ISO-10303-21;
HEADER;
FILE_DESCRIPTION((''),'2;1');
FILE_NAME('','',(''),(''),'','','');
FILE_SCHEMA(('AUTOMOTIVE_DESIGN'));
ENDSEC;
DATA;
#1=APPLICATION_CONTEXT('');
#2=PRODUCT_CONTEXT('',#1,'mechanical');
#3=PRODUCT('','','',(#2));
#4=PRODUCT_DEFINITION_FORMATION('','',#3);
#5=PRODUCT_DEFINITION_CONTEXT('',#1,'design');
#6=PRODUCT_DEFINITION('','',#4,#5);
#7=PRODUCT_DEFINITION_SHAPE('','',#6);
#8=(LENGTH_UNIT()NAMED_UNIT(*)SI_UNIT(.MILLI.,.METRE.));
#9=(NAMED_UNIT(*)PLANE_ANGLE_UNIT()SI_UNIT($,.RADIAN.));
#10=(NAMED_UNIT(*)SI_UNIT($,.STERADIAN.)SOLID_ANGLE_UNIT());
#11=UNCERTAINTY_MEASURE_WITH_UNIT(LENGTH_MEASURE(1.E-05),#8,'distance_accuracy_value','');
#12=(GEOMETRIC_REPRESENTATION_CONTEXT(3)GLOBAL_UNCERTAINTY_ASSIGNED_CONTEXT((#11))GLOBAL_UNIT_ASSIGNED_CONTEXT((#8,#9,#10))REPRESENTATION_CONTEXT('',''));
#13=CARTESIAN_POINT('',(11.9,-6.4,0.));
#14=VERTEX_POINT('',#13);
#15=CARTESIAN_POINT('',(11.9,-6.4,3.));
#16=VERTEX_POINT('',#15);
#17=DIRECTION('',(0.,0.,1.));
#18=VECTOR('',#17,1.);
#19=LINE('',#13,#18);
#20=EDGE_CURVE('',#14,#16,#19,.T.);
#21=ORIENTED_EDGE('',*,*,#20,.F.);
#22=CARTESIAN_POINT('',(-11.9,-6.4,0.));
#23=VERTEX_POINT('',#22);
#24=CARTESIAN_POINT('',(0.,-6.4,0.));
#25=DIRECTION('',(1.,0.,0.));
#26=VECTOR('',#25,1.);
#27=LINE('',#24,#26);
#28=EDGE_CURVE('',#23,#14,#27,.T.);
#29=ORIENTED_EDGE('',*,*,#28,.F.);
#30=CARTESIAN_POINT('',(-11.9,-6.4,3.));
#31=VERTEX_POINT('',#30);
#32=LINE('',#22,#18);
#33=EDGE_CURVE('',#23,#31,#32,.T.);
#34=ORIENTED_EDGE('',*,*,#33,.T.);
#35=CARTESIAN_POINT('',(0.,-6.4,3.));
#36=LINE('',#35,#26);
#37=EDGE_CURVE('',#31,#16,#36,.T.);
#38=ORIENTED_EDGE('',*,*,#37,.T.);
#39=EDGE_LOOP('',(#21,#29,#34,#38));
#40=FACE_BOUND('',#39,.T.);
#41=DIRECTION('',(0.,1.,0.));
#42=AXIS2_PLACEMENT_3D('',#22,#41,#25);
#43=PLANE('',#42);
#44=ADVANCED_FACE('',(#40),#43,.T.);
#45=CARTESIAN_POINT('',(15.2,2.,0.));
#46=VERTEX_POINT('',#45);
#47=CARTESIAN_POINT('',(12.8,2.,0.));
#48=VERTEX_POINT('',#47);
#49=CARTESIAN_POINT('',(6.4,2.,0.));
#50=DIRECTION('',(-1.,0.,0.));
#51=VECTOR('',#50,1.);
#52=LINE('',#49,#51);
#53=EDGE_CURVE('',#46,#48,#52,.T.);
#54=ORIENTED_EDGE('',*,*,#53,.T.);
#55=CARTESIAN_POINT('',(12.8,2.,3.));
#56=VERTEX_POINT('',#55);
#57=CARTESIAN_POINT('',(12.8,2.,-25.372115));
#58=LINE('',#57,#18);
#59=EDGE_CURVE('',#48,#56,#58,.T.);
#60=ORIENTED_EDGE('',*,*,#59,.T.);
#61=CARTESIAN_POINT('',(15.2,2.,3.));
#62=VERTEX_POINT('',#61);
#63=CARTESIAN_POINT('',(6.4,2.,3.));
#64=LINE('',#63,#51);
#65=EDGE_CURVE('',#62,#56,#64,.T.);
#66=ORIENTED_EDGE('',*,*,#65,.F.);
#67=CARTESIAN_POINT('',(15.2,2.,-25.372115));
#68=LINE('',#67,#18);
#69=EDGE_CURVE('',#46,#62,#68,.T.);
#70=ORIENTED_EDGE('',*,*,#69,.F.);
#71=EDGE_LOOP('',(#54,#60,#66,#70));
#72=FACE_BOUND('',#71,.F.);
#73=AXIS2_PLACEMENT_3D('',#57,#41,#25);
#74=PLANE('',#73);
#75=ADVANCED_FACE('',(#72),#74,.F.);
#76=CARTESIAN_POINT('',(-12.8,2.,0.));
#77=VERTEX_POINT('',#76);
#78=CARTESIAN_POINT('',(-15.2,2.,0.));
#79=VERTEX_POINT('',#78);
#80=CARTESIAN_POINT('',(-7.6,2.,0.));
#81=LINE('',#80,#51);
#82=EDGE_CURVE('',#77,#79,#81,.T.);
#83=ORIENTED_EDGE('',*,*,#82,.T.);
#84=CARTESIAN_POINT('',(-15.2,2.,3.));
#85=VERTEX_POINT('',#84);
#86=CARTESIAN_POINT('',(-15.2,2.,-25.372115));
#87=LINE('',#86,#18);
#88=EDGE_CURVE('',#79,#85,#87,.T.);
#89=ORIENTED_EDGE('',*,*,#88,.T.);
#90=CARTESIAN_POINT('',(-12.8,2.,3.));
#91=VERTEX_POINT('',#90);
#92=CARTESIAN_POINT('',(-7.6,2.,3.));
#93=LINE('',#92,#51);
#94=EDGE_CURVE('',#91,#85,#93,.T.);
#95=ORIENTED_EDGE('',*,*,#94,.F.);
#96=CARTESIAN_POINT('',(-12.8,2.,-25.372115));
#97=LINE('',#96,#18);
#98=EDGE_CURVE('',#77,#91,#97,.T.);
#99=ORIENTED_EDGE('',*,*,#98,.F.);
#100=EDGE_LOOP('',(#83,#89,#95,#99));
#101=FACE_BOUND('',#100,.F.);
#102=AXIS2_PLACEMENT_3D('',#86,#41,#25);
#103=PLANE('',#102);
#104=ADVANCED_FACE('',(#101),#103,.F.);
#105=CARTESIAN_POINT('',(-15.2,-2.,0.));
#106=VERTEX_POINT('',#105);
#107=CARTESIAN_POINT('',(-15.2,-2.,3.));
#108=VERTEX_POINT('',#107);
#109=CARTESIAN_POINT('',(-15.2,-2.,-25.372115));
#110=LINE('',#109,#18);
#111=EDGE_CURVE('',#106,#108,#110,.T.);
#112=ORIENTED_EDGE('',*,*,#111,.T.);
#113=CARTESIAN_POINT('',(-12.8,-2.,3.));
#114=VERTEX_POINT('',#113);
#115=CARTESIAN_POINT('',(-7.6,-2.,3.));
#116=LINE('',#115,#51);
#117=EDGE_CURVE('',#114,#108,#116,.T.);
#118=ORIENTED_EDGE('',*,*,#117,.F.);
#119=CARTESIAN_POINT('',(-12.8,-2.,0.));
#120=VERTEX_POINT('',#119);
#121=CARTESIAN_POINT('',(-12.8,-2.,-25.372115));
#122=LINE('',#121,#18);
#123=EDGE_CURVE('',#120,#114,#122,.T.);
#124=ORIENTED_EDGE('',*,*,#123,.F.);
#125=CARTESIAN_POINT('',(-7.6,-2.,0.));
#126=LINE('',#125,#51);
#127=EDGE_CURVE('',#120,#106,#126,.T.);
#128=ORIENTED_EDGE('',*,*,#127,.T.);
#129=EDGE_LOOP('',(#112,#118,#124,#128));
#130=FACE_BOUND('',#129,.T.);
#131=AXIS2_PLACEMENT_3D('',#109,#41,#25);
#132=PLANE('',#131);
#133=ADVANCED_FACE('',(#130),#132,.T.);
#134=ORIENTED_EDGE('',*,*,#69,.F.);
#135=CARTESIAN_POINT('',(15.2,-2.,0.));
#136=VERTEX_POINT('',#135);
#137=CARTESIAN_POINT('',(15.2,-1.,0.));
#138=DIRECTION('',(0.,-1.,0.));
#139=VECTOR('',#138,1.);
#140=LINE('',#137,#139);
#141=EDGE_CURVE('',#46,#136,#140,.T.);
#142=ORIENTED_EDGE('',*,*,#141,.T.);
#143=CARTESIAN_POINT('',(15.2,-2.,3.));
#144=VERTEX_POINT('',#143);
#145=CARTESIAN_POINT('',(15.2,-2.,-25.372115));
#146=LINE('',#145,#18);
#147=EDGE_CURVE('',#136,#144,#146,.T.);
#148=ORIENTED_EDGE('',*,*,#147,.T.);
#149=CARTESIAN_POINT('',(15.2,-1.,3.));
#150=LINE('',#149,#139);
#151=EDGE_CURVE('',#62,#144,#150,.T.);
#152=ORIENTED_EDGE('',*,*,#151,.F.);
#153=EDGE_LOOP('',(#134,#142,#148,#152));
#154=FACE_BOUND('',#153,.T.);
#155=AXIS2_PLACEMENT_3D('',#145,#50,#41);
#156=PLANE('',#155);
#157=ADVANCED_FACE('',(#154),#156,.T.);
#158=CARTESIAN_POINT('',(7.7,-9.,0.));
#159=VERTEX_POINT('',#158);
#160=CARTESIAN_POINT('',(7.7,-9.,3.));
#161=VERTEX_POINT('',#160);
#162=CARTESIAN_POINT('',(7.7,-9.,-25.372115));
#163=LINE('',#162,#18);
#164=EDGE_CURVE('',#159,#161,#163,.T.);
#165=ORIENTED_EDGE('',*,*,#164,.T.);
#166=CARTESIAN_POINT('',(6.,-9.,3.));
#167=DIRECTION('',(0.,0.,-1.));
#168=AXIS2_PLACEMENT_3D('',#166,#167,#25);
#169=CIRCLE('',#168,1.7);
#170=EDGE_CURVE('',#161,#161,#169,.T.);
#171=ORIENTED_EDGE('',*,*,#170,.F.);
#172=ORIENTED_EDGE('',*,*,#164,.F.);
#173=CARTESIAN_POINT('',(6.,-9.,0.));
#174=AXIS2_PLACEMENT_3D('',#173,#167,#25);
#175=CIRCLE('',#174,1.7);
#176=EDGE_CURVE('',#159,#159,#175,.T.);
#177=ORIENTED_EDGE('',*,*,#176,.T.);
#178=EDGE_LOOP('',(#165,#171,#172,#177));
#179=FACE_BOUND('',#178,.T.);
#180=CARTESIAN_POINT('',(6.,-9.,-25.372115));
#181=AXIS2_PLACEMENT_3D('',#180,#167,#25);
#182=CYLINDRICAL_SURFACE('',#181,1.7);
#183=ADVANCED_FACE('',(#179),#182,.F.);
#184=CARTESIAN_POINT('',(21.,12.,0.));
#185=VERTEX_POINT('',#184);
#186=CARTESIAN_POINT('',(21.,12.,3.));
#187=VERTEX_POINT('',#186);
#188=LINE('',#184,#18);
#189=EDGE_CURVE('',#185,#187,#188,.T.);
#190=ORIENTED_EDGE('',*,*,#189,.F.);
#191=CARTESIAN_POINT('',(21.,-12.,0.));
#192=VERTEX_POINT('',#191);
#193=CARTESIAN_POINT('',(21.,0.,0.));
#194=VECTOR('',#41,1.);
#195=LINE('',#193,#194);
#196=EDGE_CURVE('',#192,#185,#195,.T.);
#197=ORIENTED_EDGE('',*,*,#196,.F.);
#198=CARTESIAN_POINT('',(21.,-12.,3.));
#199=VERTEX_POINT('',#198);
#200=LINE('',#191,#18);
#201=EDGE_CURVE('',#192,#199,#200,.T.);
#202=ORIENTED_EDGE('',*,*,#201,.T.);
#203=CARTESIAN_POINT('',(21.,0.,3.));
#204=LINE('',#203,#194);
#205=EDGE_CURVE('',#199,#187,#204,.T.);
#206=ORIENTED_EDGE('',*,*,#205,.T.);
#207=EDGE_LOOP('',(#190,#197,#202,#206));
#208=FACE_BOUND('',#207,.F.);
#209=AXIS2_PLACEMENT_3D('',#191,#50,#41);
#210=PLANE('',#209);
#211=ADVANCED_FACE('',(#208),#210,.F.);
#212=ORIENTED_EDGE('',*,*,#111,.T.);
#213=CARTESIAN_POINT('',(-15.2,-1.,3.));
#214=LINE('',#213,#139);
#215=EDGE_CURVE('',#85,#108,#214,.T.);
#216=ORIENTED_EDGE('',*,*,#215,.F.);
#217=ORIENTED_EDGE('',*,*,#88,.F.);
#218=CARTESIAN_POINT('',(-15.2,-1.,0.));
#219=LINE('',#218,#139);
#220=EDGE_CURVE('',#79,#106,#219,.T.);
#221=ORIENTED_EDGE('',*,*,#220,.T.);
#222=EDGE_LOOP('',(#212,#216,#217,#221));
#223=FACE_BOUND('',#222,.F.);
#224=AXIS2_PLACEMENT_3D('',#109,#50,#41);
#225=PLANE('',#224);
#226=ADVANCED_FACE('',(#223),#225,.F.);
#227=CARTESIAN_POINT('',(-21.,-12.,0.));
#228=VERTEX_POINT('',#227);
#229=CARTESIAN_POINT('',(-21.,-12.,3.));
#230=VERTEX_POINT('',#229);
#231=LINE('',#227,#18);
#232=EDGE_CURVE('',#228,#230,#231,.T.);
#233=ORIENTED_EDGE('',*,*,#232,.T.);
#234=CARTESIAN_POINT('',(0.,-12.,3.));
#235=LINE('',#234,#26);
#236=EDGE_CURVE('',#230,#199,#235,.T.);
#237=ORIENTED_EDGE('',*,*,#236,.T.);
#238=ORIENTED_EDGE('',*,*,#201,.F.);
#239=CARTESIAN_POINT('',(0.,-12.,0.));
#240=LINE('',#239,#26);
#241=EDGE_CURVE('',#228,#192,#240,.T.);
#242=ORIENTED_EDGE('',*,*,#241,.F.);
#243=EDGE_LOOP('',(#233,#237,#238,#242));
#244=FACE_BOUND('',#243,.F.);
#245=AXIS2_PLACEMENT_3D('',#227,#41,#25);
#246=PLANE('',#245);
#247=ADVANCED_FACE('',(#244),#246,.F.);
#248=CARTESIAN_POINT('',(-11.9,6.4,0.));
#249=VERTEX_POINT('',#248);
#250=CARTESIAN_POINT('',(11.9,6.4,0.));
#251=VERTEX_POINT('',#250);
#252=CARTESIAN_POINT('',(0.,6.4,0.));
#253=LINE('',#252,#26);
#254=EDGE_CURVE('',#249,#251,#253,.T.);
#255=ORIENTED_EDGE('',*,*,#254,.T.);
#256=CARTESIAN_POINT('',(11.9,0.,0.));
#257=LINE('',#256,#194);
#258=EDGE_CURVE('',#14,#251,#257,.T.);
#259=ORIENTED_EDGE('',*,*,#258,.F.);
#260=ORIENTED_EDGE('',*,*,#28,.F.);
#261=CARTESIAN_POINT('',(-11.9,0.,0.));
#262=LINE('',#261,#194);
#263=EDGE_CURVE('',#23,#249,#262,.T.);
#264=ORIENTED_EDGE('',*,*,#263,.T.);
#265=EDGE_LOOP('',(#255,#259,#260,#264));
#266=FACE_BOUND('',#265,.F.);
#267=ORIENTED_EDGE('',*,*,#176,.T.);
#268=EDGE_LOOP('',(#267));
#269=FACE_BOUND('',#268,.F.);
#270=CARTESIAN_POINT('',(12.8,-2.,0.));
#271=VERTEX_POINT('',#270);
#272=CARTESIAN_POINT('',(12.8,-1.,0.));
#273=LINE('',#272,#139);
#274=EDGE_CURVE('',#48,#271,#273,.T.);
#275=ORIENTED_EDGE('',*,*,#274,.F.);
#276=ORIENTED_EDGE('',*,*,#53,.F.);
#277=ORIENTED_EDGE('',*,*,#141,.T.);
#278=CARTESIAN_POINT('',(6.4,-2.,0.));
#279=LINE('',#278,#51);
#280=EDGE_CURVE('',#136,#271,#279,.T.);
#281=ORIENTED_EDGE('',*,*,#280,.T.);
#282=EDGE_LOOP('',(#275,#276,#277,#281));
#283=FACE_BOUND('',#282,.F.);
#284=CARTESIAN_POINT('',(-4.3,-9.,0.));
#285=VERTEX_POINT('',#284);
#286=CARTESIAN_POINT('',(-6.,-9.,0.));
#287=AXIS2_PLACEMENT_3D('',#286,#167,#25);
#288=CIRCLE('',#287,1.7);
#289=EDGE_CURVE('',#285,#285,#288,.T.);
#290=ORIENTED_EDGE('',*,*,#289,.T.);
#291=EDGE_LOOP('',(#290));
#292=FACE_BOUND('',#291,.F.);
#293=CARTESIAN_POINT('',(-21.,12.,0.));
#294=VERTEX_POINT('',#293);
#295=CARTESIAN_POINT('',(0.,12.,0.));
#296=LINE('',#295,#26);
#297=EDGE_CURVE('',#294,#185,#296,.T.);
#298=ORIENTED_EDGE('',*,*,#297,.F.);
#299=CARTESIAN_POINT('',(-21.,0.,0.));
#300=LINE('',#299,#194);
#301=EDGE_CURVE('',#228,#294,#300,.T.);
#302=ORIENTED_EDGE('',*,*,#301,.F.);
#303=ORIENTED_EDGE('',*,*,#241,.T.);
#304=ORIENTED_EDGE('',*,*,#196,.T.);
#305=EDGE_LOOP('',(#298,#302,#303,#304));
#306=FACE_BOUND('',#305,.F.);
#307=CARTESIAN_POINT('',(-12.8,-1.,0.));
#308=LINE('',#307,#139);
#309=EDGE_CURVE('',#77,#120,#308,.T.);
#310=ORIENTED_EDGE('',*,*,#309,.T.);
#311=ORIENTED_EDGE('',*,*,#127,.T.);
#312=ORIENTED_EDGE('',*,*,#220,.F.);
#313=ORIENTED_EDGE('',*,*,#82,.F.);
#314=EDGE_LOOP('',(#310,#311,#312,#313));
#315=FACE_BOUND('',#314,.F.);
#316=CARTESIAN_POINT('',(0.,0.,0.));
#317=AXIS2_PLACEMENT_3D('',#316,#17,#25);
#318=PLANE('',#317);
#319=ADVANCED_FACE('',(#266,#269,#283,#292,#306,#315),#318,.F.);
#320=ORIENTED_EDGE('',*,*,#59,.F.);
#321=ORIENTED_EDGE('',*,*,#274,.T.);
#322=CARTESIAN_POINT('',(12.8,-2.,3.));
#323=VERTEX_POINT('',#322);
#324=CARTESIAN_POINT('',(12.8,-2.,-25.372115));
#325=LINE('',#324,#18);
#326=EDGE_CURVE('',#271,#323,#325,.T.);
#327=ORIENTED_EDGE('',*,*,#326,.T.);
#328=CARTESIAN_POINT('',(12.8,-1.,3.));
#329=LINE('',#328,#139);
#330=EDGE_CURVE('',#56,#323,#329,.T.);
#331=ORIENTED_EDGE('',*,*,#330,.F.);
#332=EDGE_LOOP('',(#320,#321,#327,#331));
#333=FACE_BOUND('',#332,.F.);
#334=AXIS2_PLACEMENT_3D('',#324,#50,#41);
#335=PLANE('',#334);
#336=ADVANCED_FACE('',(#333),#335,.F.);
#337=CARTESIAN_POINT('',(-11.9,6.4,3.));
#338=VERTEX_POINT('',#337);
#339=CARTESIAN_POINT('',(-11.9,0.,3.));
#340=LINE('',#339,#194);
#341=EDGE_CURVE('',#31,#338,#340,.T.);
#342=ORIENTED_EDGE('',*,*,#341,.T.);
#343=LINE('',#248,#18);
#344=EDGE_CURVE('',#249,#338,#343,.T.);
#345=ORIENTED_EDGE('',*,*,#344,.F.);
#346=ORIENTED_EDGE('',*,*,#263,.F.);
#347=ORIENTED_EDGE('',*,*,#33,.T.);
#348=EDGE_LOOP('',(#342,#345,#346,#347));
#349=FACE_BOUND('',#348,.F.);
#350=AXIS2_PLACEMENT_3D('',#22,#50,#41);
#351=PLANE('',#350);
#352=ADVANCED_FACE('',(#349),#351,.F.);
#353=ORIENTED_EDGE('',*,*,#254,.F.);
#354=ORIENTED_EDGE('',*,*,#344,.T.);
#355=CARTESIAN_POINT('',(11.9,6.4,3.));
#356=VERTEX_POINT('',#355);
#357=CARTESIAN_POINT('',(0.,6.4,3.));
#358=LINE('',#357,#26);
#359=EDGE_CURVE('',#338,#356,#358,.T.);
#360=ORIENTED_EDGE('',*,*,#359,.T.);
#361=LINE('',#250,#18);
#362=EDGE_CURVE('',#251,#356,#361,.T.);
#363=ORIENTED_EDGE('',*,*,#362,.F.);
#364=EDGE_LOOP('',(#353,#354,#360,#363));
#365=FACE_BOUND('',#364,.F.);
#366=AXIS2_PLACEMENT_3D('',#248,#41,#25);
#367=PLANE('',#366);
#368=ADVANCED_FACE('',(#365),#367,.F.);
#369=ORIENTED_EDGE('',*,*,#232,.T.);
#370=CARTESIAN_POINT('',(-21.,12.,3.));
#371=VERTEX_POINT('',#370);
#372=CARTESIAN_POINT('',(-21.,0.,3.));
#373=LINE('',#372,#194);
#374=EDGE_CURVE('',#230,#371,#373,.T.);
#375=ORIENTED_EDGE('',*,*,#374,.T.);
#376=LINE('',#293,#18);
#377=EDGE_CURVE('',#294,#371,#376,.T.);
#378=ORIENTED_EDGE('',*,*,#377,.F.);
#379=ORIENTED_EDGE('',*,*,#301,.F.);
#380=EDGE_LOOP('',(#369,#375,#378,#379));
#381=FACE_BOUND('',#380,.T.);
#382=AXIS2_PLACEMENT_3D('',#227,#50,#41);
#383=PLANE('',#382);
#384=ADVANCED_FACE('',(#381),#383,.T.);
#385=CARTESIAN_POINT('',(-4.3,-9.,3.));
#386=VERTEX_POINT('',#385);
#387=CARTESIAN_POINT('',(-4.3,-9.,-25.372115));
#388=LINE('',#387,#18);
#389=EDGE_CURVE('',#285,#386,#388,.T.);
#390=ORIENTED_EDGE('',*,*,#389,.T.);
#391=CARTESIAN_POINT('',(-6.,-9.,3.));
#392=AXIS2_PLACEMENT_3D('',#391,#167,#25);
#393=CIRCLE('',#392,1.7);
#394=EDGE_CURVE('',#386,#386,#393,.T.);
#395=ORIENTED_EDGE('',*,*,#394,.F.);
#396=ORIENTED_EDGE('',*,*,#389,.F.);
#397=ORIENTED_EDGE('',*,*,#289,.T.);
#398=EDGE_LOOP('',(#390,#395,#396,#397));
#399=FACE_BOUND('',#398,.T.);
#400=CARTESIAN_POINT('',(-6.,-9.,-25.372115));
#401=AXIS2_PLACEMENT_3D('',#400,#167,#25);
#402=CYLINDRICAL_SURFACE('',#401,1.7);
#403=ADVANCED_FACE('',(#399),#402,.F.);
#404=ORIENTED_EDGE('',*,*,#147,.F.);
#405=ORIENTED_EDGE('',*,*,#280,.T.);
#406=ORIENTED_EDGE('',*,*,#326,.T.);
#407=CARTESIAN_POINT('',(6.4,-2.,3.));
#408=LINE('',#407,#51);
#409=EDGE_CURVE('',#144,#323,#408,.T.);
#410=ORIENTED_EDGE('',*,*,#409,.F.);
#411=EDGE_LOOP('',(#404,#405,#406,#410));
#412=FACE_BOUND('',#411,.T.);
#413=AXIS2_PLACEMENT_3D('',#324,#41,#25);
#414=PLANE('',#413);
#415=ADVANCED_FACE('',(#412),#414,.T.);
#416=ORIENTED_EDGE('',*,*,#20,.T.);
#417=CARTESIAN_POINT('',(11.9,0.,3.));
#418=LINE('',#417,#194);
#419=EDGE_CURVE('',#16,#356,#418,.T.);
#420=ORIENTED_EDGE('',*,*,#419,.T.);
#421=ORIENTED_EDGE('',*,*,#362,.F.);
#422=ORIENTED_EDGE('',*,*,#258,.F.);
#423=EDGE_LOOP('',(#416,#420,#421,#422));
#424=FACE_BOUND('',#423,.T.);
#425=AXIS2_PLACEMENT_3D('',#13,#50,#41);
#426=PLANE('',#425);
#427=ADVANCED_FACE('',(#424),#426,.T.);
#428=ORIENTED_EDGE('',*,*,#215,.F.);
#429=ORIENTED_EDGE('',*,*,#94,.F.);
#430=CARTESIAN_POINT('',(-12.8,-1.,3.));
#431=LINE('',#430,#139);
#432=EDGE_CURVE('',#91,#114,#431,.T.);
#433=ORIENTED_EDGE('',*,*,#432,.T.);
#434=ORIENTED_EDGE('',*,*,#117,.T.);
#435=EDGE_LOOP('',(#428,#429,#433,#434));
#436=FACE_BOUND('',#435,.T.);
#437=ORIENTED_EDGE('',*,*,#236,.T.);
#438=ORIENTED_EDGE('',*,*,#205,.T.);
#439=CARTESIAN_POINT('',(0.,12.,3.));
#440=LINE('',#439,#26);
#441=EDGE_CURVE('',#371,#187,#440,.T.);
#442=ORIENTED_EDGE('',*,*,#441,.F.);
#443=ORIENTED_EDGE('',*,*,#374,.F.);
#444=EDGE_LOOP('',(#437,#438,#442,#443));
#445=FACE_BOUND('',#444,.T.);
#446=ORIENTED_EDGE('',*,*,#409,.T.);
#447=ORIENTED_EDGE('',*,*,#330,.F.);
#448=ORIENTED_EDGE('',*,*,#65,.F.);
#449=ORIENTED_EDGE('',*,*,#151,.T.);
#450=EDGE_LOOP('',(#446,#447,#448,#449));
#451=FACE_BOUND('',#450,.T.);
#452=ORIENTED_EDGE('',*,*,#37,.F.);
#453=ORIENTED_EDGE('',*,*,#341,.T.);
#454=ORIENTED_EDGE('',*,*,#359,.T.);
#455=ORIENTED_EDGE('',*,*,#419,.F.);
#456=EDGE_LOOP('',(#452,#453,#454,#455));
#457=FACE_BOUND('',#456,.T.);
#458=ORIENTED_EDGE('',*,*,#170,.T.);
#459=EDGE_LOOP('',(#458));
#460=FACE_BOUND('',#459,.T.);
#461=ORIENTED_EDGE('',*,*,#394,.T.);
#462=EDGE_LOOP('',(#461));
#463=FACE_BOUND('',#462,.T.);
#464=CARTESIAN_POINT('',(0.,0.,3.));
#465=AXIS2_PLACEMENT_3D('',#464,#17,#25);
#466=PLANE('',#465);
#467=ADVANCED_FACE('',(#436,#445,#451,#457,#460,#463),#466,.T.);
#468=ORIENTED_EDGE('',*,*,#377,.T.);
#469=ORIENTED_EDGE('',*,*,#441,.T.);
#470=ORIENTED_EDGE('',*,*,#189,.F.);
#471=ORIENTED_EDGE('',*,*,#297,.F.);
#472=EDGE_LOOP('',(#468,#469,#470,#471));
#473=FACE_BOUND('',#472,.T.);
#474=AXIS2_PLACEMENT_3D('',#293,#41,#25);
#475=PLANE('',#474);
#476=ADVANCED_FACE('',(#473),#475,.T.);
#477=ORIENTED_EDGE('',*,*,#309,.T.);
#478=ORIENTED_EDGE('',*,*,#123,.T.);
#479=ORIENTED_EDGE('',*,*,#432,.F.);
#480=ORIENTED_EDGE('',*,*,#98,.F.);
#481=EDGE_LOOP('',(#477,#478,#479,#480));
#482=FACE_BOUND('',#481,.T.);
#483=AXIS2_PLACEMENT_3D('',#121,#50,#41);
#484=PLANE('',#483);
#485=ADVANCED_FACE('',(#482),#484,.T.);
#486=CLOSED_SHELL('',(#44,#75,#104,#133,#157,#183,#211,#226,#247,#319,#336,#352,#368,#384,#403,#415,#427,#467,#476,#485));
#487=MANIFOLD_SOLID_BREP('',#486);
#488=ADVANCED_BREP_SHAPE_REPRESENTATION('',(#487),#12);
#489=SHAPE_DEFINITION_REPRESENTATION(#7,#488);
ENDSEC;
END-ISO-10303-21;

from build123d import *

# Parameters (mm, degrees)
SKETCH_1_W                             = 42
SKETCH_1_H                             = 24
SKETCH_1_W_2                           = 23.8
SKETCH_1_H_2                           = 12.8
SG90_WINDOW23P8X12P8_DEPTH             = 3
SG90_MOUNT_SLOTS_REFERENCE_DEPTH       = 25.372115214
SG90_MOUNT_SLOTS_REFERENCE_DEPTH_BACK  = 25.372115214
SKETCH_2_W                             = 2.4
SKETCH_2_H                             = 4
ADAPTER_M3_PAIR12_REFERENCE_DEPTH      = 25.372115214
ADAPTER_M3_PAIR12_REFERENCE_DEPTH_BACK = 25.372115214
SKETCH_3_R                             = 1.7


with BuildPart() as part:
    # 草图1 → SG90_window23p8x12p8 (new body)
    with BuildSketch(Plane.XY):
        Rectangle(SKETCH_1_W, SKETCH_1_H)
        Rectangle(SKETCH_1_W_2, SKETCH_1_H_2, mode=Mode.SUBTRACT)
    extrude(amount=SG90_WINDOW23P8X12P8_DEPTH)

    # 草图2 → SG90_mount_slots_REFERENCE (cut, two sides: drawn at the far end of the back side and taken through both)
    with BuildSketch(Plane.XY.offset(-SG90_MOUNT_SLOTS_REFERENCE_DEPTH_BACK)):
        with Locations((-14, 0)):
            Rectangle(SKETCH_2_W, SKETCH_2_H)
        with Locations((14, 0)):
            Rectangle(SKETCH_2_W, SKETCH_2_H)
    extrude(amount=SG90_MOUNT_SLOTS_REFERENCE_DEPTH + SG90_MOUNT_SLOTS_REFERENCE_DEPTH_BACK, mode=Mode.SUBTRACT)

    # 草图3 → Adapter_M3_pair12_REFERENCE (cut, two sides: drawn at the far end of the back side and taken through both)
    with BuildSketch(Plane.XY.offset(-ADAPTER_M3_PAIR12_REFERENCE_DEPTH_BACK)):
        with Locations((-6, -9)):
            Circle(SKETCH_3_R)
        with Locations((6, -9)):
            Circle(SKETCH_3_R)
    extrude(amount=ADAPTER_M3_PAIR12_REFERENCE_DEPTH + ADAPTER_M3_PAIR12_REFERENCE_DEPTH_BACK, mode=Mode.SUBTRACT)


solid = part.part
